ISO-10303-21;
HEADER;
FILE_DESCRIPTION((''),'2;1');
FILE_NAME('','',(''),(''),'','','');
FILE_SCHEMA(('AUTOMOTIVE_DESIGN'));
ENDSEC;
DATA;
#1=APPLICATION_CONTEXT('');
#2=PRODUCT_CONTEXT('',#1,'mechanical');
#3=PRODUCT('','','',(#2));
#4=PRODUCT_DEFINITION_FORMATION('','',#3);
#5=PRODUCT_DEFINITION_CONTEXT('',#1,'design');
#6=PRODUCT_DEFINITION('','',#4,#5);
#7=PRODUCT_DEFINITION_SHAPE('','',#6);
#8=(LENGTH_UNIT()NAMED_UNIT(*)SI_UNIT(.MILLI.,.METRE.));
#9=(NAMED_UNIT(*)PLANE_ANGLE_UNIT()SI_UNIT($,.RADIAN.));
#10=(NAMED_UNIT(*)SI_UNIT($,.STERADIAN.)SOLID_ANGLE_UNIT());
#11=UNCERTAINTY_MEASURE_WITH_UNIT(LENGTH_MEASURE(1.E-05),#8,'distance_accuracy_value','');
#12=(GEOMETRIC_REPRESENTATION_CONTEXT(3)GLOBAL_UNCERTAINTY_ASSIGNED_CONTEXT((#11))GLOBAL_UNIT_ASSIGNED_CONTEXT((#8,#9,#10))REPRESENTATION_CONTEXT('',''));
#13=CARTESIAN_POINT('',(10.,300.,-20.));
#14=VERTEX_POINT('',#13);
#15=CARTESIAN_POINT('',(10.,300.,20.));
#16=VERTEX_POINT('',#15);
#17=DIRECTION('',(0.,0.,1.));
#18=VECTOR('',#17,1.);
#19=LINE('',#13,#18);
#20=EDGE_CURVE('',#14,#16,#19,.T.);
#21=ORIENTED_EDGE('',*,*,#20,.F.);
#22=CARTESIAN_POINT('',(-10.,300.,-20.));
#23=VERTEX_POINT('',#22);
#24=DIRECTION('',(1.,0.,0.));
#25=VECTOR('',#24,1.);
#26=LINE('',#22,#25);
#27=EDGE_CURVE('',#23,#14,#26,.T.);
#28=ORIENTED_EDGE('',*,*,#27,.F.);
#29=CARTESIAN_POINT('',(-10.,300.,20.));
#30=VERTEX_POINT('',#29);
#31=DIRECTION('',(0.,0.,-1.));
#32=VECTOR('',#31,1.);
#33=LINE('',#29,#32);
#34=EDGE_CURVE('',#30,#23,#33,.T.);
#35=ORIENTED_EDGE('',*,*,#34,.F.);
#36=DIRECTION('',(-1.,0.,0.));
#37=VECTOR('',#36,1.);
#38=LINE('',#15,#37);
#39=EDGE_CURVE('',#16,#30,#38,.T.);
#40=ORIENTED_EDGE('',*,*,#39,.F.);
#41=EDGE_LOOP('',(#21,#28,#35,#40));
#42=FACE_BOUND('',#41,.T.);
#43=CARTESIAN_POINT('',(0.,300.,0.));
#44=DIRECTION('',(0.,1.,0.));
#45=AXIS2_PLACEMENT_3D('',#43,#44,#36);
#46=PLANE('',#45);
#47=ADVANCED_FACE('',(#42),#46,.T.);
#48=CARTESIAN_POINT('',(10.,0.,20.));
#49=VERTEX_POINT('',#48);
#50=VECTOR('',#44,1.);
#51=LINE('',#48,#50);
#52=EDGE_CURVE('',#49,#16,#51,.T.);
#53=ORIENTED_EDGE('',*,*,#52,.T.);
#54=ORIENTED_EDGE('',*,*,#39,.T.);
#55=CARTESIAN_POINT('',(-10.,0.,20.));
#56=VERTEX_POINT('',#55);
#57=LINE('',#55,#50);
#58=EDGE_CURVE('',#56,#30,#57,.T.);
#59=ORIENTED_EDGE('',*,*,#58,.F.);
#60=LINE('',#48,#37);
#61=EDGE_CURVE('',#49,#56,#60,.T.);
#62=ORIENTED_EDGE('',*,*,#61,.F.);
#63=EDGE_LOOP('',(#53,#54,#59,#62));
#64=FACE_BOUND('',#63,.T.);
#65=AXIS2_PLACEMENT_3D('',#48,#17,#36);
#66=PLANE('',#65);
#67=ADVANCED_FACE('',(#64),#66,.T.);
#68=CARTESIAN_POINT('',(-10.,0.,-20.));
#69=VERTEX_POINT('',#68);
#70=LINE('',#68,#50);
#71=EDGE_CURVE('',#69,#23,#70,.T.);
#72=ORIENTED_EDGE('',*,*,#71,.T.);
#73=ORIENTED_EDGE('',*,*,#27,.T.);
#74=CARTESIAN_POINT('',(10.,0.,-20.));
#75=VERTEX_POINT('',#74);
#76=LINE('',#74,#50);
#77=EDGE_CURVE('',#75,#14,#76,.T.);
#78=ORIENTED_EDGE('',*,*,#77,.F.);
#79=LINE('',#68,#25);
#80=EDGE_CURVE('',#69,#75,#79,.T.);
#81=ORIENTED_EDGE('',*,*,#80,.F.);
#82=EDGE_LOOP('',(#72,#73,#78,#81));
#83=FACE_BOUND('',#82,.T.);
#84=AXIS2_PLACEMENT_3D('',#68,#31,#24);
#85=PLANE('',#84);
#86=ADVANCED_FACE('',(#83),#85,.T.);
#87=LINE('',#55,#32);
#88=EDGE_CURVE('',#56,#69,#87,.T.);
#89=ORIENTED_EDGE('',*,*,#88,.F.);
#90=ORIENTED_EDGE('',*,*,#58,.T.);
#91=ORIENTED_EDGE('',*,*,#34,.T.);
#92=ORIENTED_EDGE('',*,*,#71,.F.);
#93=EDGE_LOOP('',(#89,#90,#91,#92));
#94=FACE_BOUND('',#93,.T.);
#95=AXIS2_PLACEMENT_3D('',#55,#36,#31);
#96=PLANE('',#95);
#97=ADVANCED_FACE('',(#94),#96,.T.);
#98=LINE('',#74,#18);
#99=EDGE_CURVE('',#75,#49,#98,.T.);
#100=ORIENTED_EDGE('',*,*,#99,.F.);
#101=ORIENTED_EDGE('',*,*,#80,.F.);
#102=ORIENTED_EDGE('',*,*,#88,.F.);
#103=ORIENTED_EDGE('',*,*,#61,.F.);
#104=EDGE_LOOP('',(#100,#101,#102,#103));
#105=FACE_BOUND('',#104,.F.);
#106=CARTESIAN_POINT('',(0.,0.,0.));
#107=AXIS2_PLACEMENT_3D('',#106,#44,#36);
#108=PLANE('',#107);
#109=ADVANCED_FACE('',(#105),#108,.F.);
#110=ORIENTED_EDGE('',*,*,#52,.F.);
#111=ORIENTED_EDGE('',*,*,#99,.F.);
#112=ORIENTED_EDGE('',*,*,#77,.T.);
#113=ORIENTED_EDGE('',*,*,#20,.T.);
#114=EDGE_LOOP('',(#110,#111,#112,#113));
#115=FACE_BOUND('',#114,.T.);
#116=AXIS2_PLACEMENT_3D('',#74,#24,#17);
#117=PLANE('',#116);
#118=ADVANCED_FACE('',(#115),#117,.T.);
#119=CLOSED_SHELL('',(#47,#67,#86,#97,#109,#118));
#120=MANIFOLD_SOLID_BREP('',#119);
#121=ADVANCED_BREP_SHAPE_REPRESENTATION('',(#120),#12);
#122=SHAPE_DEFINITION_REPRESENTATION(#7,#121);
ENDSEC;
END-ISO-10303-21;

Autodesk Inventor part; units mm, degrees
ref_plane "YZ Plane" through (0, 0, 0) normal (1, 0, 0) x (0, 1, 0)
ref_plane "XZ Plane" through (0, 0, 0) normal (0, 1, 0) x (-1, 0, 0)
ref_plane "XY Plane" through (0, 0, 0) normal (0, 0, 1) x (1, 0, 0)
sketch "草图1" plane through (0, 0, 0) normal (0, 1, 0) x (-1, 0, 0)
  line L0 (-10, 20) -> (10, 20)
  line L1 (10, 20) -> (10, -20)
  line L2 (10, -20) -> (-10, -20)
  line L3 (-10, -20) -> (-10, 20)
  line L4 (-10, 20) -> (10, -20) construction
  line L5 (10, 20) -> (-10, -20) construction
  point P0 (0, 0)
  dimension "d0" = 20
  dimension "d1" = 40
extrude "拉伸1" add sketch "草图1" along normal blind 300
properties part number "欧标铝"
